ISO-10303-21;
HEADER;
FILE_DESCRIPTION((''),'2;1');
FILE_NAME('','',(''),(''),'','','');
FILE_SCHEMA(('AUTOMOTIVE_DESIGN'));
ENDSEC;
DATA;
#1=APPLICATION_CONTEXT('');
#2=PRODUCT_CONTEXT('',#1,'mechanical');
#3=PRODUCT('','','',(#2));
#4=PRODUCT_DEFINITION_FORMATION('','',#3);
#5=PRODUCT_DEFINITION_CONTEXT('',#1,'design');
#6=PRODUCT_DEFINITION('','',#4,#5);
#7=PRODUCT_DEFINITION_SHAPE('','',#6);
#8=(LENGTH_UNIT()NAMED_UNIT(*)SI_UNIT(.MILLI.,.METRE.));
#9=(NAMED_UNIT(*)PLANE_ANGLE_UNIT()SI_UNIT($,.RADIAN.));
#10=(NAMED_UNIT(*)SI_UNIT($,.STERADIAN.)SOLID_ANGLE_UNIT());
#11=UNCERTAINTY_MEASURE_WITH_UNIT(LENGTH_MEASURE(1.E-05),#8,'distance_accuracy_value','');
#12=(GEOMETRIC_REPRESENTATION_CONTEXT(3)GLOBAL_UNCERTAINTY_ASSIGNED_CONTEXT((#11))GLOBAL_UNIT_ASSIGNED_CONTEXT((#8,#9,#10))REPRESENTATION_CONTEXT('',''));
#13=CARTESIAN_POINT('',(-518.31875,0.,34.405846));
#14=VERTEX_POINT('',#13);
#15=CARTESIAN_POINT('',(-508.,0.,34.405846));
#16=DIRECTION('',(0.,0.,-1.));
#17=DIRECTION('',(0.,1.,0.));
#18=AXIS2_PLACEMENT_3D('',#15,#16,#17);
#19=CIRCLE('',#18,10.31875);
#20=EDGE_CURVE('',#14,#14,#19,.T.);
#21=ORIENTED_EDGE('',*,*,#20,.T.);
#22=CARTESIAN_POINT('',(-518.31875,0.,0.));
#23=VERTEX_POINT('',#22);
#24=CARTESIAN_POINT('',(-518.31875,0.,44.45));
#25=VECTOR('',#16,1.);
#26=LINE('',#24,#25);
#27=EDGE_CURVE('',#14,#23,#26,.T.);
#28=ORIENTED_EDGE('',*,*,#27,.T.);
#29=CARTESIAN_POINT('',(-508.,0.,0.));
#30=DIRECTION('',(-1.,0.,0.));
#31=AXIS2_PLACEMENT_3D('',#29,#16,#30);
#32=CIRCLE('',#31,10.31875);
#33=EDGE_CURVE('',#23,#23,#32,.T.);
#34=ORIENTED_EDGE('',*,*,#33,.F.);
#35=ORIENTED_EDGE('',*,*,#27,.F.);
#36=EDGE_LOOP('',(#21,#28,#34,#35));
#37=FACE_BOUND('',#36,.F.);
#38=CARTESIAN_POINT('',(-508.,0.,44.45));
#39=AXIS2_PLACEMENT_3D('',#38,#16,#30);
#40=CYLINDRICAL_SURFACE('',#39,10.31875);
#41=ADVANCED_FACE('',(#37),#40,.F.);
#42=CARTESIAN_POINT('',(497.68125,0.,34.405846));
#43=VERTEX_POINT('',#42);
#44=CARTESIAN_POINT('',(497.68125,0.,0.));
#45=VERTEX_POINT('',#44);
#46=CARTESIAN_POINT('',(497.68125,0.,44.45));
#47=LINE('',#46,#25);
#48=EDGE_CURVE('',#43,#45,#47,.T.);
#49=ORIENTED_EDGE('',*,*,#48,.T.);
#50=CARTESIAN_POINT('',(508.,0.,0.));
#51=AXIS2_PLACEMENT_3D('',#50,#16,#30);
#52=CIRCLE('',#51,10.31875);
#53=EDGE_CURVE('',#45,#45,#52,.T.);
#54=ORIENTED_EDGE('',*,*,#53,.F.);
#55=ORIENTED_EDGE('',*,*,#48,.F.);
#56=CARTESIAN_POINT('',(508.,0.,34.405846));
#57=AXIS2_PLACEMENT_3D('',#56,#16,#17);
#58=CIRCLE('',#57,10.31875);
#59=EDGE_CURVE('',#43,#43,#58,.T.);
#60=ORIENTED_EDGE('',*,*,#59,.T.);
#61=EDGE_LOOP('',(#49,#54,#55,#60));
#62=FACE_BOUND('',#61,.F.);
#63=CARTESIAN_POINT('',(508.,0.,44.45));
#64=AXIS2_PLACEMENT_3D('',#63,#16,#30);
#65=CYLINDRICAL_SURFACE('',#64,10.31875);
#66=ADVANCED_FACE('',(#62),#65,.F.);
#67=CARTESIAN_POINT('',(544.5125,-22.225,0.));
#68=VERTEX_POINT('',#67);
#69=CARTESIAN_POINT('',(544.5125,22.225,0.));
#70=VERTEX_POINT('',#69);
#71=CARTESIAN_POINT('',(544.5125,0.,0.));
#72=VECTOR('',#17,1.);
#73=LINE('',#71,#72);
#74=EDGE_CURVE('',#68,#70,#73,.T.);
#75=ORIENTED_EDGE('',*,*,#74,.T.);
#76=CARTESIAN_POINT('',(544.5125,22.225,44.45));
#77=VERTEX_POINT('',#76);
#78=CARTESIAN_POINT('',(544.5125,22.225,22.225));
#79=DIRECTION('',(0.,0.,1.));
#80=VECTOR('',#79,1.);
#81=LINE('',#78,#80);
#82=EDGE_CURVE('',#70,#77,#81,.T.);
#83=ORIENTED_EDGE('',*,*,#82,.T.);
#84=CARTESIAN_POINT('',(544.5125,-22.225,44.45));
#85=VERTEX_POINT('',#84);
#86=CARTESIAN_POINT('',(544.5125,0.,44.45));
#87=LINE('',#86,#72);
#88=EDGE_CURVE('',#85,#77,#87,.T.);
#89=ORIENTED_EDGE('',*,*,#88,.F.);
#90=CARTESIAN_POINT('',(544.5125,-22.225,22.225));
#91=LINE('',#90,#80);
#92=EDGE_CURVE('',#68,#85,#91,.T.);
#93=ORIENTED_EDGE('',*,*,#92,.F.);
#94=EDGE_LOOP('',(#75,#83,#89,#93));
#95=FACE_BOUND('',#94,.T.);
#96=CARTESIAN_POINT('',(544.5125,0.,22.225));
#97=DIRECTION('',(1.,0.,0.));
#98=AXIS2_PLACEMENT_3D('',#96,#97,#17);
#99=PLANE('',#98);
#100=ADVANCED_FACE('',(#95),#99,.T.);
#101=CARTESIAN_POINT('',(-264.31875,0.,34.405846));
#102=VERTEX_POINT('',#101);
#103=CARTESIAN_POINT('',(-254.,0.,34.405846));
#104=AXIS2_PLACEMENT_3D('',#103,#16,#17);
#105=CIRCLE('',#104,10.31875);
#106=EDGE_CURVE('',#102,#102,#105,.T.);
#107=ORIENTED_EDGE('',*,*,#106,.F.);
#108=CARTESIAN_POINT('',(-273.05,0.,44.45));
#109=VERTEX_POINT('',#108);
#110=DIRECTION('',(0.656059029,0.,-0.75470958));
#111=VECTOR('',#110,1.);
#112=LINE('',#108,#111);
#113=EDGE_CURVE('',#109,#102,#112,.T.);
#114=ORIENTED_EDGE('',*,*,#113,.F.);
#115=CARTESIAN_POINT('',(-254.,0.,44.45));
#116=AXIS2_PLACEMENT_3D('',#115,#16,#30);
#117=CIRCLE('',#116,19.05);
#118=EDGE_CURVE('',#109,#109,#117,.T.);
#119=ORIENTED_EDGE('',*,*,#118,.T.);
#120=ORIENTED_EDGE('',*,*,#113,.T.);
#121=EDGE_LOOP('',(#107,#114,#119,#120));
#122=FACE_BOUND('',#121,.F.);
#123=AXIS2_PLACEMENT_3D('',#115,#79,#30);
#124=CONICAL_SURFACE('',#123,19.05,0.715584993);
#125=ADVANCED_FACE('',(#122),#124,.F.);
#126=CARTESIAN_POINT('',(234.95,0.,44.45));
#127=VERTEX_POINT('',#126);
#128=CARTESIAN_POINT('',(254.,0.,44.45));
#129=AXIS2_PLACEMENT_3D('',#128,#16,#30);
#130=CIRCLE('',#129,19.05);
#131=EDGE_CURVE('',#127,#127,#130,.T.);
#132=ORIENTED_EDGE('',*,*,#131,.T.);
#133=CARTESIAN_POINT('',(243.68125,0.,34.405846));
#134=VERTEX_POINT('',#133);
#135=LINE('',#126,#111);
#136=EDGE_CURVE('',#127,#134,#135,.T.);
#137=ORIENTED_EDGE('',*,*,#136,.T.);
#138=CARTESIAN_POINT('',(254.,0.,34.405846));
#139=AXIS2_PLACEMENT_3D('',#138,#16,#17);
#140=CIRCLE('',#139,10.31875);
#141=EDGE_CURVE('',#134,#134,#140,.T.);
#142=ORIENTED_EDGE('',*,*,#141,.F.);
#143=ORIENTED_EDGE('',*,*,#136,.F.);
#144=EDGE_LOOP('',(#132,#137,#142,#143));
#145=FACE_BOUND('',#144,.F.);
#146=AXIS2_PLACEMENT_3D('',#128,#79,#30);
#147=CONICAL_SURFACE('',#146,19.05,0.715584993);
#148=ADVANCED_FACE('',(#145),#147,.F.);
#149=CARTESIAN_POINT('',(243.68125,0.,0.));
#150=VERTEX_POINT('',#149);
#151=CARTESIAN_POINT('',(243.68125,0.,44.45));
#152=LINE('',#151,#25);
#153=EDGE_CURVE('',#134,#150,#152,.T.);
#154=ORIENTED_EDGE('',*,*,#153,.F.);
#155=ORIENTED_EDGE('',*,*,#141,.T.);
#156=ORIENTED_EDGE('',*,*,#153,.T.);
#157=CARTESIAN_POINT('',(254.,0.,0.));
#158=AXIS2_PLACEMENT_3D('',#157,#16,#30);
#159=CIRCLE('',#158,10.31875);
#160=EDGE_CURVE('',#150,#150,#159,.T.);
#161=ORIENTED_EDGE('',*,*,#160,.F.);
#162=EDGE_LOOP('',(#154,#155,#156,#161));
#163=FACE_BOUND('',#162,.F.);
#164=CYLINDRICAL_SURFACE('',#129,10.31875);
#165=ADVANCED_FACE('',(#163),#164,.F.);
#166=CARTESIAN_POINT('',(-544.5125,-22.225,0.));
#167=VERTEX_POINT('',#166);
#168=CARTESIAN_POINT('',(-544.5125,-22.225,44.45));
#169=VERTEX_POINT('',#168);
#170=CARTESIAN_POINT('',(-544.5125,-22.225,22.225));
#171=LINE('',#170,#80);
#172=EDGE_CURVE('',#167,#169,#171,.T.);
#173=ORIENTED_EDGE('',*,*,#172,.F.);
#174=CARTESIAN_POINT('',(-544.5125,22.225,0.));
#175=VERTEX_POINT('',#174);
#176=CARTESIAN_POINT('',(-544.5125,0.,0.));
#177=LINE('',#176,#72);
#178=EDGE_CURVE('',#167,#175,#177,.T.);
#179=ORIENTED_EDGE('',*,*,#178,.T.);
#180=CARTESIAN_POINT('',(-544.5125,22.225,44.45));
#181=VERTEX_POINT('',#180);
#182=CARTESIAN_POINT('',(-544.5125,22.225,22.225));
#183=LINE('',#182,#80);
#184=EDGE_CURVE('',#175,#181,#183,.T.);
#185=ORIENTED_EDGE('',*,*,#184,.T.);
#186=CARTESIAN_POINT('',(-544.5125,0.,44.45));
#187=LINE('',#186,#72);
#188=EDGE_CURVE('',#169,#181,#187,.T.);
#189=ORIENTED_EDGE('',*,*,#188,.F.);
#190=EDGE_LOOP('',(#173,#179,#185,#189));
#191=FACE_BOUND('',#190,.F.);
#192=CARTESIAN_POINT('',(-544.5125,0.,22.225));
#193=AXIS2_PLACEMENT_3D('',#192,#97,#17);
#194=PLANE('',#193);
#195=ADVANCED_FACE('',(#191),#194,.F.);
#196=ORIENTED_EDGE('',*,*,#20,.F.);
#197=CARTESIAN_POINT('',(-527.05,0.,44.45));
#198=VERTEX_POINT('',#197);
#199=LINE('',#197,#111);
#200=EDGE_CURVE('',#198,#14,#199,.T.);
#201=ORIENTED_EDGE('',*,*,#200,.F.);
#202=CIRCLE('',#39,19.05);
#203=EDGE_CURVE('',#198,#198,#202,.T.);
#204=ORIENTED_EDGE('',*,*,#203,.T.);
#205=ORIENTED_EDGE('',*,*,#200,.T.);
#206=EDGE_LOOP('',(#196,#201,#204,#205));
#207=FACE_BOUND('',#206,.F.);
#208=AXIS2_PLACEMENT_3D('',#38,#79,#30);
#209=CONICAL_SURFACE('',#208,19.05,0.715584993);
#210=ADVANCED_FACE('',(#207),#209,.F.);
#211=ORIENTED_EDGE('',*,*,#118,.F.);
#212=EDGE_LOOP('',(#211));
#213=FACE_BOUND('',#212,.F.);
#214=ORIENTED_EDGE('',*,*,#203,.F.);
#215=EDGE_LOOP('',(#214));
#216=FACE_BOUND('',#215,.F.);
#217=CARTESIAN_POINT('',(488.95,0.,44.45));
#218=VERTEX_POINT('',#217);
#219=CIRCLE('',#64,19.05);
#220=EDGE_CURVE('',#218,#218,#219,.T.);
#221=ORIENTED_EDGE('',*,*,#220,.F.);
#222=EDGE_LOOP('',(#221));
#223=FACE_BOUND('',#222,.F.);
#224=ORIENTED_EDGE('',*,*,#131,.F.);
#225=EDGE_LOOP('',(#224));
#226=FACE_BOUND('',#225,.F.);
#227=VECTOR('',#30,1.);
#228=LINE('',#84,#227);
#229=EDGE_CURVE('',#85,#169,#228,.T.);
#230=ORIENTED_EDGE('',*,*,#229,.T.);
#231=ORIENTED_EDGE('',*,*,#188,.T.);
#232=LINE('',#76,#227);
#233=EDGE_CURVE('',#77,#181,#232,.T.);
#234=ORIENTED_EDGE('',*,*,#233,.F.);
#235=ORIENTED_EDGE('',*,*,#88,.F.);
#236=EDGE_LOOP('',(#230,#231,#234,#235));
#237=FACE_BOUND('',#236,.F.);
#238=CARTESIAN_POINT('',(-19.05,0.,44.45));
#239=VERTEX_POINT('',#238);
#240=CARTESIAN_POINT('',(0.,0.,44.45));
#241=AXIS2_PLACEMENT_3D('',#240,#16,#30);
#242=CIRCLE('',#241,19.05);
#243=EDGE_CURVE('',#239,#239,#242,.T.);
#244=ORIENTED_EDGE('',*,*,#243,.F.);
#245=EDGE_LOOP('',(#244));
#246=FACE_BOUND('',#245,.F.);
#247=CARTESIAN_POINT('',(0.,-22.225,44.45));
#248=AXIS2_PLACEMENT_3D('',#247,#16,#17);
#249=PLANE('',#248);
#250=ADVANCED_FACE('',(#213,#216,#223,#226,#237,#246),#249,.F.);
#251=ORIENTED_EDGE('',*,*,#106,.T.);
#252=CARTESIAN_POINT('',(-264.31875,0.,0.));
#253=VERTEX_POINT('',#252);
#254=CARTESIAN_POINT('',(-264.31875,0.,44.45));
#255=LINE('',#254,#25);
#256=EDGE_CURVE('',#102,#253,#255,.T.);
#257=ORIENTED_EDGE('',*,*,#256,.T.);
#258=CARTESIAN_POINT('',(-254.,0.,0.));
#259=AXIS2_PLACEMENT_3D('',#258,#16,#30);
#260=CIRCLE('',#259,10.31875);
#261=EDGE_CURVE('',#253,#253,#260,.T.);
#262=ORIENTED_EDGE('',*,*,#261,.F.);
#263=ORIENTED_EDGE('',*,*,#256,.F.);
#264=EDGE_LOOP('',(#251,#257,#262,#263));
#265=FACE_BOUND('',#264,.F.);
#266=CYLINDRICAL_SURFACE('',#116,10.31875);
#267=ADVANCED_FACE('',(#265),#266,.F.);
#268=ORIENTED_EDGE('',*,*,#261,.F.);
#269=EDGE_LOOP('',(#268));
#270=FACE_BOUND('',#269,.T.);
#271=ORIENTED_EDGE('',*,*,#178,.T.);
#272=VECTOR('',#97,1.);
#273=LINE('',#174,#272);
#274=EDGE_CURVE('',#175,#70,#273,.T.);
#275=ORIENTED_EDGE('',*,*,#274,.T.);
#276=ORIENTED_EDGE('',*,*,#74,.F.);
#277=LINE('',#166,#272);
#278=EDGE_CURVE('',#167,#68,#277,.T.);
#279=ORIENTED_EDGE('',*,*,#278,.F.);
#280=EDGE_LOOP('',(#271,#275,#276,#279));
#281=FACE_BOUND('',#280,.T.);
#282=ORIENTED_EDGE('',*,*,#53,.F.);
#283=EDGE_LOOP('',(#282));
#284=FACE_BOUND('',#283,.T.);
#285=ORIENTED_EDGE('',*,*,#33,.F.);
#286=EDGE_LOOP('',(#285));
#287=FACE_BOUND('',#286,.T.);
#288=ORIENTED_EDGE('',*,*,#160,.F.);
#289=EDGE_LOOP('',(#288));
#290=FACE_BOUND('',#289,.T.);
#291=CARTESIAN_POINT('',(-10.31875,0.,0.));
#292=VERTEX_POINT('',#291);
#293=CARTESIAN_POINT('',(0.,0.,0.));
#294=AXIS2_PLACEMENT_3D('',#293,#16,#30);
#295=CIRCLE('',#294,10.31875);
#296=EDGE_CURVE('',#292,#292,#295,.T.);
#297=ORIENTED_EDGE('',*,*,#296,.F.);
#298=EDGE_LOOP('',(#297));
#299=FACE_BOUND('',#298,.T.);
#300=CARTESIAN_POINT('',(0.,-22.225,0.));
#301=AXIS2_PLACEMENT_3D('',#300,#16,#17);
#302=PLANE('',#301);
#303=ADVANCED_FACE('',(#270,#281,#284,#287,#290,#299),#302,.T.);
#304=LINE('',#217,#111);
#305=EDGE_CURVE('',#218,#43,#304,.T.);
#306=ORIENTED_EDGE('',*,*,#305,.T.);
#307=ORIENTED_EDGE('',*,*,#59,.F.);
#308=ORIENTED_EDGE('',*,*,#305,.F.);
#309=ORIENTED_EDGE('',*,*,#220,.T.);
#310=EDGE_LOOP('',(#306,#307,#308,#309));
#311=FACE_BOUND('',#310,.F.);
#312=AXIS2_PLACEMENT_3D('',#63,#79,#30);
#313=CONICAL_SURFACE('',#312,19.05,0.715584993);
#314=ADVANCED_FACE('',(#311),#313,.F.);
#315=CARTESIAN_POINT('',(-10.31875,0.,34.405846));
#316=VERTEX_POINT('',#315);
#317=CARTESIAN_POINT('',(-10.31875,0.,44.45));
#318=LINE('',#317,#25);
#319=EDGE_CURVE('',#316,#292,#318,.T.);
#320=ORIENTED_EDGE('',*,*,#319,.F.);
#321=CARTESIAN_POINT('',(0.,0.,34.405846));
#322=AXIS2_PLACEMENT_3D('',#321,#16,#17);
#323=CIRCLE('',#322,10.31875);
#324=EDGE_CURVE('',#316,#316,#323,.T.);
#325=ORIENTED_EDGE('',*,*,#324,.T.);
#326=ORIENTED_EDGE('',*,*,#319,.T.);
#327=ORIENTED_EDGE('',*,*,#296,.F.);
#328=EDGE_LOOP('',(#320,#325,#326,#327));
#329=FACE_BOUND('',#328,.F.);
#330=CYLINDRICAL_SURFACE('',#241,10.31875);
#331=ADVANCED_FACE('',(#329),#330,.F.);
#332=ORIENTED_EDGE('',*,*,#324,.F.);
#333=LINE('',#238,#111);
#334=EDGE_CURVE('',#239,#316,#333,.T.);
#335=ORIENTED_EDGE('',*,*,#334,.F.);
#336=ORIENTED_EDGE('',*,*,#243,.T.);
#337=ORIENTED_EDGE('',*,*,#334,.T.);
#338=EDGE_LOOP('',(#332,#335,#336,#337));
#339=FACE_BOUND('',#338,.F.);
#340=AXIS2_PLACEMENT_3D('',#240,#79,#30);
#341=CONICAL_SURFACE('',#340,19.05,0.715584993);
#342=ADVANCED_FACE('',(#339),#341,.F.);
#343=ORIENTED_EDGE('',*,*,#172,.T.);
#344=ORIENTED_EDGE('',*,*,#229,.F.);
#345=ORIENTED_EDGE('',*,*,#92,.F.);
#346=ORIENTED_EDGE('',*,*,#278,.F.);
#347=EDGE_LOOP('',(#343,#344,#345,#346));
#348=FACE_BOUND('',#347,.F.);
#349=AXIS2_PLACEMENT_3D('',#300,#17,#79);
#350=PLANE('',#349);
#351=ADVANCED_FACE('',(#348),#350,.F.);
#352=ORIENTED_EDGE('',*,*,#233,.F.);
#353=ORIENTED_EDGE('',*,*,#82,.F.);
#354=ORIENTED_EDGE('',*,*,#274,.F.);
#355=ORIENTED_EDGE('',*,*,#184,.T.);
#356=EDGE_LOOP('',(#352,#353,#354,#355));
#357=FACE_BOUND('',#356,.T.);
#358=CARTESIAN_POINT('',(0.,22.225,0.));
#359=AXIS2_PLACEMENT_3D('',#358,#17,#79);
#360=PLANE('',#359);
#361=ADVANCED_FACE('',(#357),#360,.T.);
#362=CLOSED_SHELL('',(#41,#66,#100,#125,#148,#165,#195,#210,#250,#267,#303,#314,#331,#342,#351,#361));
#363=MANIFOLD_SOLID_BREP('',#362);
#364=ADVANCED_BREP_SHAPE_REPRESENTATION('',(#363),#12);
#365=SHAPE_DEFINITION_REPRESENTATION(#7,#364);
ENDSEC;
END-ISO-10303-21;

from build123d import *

# Parameters (mm, degrees)
F0_W           = 44.45
F0_H           = 44.45
F1_DEPTH       = 544.5125
F3_D           = 20.6375
F3_CSINK_D     = 38.1
F3_CSINK_ANGLE = 82


with BuildPart() as f1:
    # F0 (on Right) → F1 (new body, symmetric)
    with BuildSketch(Plane.YZ):
        with Locations((0, 22.225)):
            Rectangle(F0_W, F0_H)
    extrude(amount=F1_DEPTH, both=True)

    # F3 (through all)
    with Locations(Plane.XY.offset(44.45)):
        with Locations((-508, 0), (-254, 0), (0, 0), (254, 0), (508, 0)):
            CounterSinkHole(F3_D / 2, F3_CSINK_D / 2, counter_sink_angle=F3_CSINK_ANGLE)


solid = f1.part
